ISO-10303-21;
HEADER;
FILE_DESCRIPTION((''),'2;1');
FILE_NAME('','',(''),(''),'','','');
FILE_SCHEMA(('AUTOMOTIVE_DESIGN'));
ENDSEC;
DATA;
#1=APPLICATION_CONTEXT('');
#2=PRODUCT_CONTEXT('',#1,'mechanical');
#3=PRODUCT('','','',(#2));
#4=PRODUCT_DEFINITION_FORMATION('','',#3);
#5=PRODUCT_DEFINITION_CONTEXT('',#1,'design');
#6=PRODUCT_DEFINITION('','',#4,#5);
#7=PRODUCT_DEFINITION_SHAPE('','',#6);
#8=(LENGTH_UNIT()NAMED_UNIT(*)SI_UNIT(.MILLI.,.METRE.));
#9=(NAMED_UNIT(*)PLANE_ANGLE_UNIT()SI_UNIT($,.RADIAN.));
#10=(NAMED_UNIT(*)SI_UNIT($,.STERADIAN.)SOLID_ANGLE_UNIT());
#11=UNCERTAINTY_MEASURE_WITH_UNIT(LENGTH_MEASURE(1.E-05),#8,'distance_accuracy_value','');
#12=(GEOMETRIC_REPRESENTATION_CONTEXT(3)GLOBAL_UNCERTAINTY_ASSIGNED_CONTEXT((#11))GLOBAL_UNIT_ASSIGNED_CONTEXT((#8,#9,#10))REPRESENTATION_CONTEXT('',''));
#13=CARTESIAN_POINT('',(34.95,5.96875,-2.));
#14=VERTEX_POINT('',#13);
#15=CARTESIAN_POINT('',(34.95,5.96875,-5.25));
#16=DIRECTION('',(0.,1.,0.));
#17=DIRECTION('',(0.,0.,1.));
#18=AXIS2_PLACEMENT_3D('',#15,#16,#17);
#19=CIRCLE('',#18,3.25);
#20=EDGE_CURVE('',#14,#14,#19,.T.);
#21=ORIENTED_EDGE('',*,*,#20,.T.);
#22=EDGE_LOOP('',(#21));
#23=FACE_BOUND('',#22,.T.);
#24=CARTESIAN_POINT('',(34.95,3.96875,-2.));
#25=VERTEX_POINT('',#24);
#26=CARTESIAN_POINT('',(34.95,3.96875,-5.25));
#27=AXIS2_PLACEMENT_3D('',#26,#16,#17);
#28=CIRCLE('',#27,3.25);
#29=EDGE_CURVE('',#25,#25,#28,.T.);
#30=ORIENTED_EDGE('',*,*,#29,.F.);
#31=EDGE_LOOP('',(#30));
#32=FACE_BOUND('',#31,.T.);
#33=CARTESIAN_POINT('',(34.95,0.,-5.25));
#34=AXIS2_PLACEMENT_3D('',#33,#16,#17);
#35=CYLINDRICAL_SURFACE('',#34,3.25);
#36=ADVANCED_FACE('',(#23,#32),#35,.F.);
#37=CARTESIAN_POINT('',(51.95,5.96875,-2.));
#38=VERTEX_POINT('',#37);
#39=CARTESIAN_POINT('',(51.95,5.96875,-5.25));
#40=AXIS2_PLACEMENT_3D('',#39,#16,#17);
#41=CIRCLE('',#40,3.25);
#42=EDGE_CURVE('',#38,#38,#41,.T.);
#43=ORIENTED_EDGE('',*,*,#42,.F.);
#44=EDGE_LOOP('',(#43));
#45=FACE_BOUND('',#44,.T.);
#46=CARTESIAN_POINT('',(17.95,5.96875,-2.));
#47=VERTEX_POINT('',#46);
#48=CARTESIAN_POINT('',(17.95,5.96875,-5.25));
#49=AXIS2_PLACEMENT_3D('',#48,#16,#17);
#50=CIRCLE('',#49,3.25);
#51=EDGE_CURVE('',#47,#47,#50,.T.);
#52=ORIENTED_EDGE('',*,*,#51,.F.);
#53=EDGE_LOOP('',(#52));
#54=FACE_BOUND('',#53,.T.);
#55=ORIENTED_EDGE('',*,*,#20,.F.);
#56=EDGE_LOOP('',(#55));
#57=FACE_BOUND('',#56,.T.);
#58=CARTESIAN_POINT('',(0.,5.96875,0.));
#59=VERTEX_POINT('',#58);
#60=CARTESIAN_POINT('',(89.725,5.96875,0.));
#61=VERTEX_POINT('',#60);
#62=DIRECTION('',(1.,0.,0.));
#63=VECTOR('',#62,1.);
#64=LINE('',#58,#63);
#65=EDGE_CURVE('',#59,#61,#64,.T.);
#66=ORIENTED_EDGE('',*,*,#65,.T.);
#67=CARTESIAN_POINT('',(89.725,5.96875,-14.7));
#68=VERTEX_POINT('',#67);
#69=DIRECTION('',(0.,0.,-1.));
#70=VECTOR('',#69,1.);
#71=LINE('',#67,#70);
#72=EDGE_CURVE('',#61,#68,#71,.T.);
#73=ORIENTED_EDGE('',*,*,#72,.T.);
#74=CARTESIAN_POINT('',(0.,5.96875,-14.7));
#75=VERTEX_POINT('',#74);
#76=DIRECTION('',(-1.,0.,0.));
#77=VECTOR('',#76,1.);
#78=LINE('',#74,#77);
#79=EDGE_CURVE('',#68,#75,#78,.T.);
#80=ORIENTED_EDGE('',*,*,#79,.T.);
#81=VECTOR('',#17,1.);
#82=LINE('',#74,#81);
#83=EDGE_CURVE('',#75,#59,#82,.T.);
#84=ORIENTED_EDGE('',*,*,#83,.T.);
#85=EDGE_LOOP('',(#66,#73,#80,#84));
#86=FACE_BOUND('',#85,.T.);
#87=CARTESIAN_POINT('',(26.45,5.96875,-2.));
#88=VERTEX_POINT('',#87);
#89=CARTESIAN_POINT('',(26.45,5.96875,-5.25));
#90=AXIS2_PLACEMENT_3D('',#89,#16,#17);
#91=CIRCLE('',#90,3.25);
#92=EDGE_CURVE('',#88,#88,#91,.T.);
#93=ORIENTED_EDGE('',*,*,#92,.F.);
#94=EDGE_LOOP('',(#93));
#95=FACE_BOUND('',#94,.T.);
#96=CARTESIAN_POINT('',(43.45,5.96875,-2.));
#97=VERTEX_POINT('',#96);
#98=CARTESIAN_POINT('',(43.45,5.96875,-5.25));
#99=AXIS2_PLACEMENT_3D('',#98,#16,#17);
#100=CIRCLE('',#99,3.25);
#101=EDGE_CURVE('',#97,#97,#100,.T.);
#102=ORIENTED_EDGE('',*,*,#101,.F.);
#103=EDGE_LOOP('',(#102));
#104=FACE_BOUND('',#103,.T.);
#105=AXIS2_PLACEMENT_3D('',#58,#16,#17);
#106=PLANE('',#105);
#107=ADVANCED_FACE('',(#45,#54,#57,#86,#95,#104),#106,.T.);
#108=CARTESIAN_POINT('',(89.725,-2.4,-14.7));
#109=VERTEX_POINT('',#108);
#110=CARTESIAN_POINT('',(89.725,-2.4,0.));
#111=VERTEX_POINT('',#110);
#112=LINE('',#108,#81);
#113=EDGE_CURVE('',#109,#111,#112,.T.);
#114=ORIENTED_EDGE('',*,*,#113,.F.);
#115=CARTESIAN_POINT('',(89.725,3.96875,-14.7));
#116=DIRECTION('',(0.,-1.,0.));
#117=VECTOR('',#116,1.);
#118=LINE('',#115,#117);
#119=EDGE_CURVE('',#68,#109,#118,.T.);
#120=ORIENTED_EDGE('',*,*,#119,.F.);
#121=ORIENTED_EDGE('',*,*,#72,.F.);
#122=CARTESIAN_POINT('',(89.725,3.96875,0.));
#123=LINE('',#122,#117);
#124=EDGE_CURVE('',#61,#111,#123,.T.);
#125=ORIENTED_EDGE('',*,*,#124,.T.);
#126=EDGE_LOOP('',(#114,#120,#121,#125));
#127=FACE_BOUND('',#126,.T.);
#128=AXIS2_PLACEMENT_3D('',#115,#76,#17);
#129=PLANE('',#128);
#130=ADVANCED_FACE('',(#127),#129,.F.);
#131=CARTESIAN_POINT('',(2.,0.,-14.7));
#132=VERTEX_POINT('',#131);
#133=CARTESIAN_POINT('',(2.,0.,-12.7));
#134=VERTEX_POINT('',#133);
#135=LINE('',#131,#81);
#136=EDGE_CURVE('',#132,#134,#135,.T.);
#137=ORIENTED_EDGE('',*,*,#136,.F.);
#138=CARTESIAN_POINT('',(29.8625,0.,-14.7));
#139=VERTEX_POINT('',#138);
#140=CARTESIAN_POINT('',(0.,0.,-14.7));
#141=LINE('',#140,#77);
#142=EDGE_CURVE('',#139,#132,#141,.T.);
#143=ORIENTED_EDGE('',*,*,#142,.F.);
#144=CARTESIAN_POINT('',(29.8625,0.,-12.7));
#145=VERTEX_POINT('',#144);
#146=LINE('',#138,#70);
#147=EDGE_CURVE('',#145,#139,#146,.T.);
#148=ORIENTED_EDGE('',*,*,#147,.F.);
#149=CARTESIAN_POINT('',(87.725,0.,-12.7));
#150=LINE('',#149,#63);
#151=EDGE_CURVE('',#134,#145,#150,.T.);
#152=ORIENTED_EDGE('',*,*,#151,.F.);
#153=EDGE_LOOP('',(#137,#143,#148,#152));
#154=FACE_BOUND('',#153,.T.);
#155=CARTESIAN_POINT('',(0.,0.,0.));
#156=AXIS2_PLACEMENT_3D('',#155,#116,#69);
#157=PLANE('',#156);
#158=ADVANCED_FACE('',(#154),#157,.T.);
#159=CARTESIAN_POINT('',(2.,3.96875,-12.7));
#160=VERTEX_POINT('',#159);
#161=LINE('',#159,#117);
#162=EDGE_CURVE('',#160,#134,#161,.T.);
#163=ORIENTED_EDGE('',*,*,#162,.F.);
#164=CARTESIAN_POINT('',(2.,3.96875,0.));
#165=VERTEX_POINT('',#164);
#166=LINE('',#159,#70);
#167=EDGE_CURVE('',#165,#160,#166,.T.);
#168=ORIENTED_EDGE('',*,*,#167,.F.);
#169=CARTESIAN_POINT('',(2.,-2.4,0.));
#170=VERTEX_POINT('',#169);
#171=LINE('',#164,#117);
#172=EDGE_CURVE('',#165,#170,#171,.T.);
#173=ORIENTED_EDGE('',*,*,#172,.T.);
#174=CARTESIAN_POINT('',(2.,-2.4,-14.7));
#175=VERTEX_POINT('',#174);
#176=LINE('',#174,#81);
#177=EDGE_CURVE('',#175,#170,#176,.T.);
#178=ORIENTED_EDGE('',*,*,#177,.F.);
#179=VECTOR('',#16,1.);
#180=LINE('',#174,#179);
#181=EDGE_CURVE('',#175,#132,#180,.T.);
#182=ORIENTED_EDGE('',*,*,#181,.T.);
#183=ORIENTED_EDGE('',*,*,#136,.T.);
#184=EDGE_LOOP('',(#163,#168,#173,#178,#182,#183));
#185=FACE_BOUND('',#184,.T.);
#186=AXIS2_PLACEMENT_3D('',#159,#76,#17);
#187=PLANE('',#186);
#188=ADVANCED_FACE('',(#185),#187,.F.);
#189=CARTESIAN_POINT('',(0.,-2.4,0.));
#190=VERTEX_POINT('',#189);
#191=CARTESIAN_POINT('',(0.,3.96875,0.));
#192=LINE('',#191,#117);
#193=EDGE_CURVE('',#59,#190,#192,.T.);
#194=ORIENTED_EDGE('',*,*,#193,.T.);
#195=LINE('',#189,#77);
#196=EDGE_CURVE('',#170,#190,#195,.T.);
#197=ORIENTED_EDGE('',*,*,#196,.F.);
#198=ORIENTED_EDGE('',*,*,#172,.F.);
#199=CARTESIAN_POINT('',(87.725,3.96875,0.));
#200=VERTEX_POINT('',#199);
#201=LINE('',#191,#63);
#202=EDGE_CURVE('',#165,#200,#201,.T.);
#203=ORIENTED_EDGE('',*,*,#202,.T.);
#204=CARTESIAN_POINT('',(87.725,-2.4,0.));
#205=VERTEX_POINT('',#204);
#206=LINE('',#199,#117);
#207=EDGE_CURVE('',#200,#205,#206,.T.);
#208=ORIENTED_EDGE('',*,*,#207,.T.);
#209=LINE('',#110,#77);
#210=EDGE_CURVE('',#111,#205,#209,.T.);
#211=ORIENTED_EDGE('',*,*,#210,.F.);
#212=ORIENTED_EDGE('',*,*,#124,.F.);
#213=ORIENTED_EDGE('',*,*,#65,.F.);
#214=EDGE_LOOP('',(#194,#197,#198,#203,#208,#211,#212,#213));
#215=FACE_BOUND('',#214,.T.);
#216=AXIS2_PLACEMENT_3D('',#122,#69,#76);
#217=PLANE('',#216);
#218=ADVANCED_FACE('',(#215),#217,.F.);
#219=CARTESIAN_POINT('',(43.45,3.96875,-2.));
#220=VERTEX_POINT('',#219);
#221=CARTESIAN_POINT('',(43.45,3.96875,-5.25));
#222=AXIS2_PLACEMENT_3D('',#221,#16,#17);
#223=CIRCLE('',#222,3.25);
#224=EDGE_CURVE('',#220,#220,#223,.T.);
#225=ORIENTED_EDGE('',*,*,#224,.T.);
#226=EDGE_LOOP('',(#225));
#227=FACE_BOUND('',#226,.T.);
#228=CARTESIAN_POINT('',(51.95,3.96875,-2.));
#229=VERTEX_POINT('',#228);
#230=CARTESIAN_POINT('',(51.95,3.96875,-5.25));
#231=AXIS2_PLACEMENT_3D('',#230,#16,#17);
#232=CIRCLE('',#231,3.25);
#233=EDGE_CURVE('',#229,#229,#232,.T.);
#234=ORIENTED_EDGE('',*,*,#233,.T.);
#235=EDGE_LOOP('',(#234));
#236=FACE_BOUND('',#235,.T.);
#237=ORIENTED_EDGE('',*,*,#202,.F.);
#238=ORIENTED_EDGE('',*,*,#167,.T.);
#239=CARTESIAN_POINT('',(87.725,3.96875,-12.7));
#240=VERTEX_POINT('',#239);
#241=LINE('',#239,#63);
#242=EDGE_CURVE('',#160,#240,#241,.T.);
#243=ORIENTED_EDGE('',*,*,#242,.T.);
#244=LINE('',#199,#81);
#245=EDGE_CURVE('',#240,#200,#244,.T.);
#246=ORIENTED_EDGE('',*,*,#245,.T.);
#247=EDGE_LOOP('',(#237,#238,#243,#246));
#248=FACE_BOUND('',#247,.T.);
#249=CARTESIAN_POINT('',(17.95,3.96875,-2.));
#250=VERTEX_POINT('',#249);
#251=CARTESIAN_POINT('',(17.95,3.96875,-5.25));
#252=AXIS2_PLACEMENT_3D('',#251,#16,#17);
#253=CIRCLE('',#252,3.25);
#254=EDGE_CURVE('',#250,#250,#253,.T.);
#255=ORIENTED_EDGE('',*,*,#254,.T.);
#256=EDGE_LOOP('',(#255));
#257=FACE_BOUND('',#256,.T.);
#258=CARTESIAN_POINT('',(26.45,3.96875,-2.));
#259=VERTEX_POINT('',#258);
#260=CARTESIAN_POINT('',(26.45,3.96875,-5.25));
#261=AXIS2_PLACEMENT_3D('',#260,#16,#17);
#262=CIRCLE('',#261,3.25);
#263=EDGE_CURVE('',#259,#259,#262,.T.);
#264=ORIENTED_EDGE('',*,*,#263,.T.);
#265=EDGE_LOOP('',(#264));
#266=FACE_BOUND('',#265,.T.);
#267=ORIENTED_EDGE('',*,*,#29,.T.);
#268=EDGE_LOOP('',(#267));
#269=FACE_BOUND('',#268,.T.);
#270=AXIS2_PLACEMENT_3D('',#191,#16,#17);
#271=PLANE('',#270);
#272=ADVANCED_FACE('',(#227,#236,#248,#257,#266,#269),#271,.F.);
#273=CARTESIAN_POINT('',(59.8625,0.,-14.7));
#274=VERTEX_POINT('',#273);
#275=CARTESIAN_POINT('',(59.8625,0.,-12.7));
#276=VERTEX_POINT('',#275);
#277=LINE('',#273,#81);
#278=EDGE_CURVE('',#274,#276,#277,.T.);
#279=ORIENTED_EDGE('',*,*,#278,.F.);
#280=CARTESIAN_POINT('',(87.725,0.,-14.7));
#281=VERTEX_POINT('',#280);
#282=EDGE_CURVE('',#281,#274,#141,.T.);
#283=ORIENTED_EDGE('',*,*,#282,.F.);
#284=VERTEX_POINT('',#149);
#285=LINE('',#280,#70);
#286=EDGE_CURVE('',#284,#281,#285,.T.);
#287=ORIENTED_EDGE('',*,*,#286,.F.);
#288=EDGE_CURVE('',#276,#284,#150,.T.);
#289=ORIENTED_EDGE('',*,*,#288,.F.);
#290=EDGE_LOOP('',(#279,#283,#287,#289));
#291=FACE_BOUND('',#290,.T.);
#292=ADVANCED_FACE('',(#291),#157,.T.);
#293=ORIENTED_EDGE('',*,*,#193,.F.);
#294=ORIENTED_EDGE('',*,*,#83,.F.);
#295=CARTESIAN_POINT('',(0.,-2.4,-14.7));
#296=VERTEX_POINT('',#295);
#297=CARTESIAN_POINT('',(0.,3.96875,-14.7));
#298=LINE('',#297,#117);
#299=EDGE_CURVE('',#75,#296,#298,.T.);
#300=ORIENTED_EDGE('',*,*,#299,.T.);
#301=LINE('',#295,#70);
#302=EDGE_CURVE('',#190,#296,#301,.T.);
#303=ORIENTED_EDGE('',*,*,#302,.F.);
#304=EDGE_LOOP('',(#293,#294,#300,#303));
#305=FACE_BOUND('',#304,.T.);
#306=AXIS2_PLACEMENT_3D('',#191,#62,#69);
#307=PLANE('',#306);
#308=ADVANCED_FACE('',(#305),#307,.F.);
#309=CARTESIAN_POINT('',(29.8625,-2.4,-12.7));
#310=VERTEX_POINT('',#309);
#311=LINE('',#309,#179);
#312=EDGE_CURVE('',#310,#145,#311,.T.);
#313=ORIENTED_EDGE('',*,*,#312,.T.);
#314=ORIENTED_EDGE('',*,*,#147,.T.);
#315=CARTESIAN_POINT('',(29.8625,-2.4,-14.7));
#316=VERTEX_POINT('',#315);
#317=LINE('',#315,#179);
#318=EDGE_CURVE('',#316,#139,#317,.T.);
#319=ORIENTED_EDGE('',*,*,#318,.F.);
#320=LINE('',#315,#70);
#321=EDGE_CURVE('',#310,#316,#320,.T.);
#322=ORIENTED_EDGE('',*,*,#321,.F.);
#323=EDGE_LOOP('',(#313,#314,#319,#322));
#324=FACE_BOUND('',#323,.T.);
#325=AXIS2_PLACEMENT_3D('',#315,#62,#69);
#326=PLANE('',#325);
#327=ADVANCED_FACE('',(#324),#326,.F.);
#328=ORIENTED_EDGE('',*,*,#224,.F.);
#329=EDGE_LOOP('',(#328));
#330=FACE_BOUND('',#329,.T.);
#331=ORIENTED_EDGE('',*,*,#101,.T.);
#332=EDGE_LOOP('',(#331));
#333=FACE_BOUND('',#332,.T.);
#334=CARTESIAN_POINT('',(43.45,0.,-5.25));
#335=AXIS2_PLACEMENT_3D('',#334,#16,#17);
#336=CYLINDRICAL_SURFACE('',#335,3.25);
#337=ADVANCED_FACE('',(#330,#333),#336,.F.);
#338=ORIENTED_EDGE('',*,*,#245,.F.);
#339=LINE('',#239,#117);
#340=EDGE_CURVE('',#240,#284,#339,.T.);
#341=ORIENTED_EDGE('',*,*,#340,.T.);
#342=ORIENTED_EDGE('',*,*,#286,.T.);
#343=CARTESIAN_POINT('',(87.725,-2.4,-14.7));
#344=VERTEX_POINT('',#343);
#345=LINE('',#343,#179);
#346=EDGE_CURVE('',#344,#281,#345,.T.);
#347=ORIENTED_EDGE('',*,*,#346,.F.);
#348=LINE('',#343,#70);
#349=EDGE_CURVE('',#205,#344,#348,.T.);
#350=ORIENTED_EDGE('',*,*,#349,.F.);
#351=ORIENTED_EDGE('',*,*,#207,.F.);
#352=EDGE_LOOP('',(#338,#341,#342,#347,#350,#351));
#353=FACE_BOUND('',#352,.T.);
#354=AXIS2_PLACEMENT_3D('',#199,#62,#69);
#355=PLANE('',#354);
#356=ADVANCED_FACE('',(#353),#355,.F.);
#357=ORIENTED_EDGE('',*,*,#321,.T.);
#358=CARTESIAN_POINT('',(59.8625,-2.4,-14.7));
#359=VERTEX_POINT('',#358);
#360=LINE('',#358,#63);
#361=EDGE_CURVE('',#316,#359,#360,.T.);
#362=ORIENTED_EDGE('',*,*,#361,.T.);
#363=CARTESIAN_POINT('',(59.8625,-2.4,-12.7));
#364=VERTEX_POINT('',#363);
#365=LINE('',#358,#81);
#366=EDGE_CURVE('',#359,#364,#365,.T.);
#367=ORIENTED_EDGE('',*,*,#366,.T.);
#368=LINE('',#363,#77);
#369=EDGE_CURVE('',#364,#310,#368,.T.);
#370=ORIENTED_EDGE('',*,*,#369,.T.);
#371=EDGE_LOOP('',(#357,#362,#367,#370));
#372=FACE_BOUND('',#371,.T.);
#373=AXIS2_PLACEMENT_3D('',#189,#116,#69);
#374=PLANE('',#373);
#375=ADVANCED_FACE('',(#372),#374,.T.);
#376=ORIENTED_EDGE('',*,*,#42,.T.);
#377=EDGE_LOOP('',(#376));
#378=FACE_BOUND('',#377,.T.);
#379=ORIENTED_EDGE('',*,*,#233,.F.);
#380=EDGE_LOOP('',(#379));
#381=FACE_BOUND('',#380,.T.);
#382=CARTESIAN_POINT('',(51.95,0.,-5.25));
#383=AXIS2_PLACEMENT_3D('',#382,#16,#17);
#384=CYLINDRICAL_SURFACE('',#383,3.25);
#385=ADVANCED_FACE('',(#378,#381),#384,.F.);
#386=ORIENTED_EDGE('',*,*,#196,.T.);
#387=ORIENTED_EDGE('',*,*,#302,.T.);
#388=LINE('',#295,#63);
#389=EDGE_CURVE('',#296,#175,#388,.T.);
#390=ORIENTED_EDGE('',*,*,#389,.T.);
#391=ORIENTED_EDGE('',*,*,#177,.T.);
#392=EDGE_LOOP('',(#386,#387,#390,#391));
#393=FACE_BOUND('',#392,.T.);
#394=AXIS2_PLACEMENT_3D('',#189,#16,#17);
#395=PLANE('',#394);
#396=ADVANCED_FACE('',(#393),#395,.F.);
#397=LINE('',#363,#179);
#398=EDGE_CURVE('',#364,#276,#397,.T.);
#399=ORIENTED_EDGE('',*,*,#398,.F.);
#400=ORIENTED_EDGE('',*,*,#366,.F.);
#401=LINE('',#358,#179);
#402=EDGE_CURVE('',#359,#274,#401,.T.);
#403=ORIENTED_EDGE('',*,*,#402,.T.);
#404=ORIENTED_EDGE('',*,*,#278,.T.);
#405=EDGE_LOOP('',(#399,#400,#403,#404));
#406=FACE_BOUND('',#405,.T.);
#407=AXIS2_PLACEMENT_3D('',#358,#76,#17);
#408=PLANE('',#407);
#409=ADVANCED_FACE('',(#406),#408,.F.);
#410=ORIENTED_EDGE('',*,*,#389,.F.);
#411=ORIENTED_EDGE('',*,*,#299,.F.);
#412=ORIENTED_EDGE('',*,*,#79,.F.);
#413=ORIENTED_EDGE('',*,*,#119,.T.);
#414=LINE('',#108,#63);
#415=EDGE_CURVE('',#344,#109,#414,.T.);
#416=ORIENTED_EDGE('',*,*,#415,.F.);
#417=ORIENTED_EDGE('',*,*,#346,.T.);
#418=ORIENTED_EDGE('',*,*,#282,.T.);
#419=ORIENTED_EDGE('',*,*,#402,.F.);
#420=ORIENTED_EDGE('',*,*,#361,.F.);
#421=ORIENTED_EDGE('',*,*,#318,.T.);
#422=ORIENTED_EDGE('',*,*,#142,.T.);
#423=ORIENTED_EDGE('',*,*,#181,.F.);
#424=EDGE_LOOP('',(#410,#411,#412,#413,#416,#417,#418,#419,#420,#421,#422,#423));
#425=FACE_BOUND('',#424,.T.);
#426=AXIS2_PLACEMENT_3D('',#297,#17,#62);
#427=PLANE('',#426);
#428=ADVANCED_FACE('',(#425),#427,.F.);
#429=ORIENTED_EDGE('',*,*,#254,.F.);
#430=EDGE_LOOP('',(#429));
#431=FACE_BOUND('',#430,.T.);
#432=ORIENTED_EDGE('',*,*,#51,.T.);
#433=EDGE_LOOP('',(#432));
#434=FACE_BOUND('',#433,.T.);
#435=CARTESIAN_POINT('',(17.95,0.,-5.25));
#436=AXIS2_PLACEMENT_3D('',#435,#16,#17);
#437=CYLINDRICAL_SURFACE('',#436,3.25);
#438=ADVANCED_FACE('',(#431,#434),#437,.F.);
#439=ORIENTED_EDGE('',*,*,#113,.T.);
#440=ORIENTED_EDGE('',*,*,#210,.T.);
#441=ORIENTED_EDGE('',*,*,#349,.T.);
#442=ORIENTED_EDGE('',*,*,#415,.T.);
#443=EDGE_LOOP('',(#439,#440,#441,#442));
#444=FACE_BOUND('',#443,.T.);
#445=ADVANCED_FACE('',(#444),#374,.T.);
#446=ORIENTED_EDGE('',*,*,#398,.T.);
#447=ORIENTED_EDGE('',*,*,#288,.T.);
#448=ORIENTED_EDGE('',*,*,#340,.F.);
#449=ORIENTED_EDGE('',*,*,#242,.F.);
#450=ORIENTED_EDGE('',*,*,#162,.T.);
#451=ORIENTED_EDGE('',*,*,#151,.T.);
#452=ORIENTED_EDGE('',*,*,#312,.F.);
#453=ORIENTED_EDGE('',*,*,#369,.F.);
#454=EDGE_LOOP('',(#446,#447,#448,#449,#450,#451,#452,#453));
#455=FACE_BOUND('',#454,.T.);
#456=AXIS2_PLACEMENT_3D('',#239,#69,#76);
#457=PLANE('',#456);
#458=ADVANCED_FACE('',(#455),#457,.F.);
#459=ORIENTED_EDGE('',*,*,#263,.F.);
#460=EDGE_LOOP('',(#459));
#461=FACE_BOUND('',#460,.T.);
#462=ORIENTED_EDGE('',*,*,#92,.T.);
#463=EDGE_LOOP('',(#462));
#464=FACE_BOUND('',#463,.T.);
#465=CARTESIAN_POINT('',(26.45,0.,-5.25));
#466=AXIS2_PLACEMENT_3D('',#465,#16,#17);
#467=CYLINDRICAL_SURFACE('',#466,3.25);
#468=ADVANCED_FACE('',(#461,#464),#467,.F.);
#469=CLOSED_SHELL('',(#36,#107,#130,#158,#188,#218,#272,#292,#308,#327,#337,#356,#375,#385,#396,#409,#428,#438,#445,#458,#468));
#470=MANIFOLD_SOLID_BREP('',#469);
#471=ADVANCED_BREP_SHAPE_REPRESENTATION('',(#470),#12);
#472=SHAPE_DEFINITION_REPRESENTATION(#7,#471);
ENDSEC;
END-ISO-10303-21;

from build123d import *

# Parameters (mm, degrees)
BOSS_EXTRUDE1_DEPTH = 3.96875
SKETCH2_W           = 89.725
SKETCH2_H           = 14.7
BOSS_EXTRUDE2_DEPTH = 2
SKETCH3_R           = 3.25
CUT_EXTRUDE1_DEPTH  = 92.116911721
SKETCH4_W           = 2
SKETCH4_H           = 14.7
SKETCH4_W_2         = 30
SKETCH4_H_2         = 2
BOSS_EXTRUDE3_DEPTH = 2.4


with BuildPart() as part:
    # Sketch1 → Boss-Extrude1 (new body)
    with BuildSketch(Plane(origin=(0, 0, 0), x_dir=(1, 0, 0), z_dir=(0, 1, 0))):
        Polygon((0, 0), (0, 14.7), (89.725, 14.7), (89.725, 0), (87.725, 0), (87.725, 12.7), (2, 12.7), (2, 0), align=None)
    extrude(amount=BOSS_EXTRUDE1_DEPTH)

    # Sketch2 → Boss-Extrude2 (add)
    with BuildSketch(Plane(origin=(0, 3.96875, 0), x_dir=(1, 0, 0), z_dir=(0, 1, 0))):
        with Locations((44.8625, 7.35)):
            Rectangle(SKETCH2_W, SKETCH2_H)
    extrude(amount=BOSS_EXTRUDE2_DEPTH)

    # Sketch3 → Cut-Extrude1 (cut, through all)
    with BuildSketch(Plane(origin=(0, 5.96875, 0), x_dir=(1, 0, 0), z_dir=(0, 1, 0))):
        with Locations(Location((17.95, 5.25, 0), (0, 0, 270))):
            Circle(SKETCH3_R)
        with Locations(Location((26.45, 5.25, 0), (0, 0, 270))):
            Circle(SKETCH3_R)
        with Locations(Location((34.95, 5.25, 0), (0, 0, 270))):
            Circle(SKETCH3_R)
        with Locations(Location((43.45, 5.25, 0), (0, 0, 270))):
            Circle(SKETCH3_R)
        with Locations(Location((51.95, 5.25, 0), (0, 0, 270))):
            Circle(SKETCH3_R)
    extrude(amount=-CUT_EXTRUDE1_DEPTH, mode=Mode.SUBTRACT)

    # Sketch4 → Boss-Extrude3 (add)
    with BuildSketch(Plane(origin=(0, 0, 0), x_dir=(-1, 0, 0), z_dir=(0, -1, 0))):
        with Locations((-88.725, 7.35)):
            Rectangle(SKETCH4_W, SKETCH4_H)
        with Locations((-1, 7.35)):
            Rectangle(SKETCH4_W, SKETCH4_H)
        with Locations((-44.8625, 13.7)):
            Rectangle(SKETCH4_W_2, SKETCH4_H_2)
    extrude(amount=BOSS_EXTRUDE3_DEPTH)


solid = part.part
